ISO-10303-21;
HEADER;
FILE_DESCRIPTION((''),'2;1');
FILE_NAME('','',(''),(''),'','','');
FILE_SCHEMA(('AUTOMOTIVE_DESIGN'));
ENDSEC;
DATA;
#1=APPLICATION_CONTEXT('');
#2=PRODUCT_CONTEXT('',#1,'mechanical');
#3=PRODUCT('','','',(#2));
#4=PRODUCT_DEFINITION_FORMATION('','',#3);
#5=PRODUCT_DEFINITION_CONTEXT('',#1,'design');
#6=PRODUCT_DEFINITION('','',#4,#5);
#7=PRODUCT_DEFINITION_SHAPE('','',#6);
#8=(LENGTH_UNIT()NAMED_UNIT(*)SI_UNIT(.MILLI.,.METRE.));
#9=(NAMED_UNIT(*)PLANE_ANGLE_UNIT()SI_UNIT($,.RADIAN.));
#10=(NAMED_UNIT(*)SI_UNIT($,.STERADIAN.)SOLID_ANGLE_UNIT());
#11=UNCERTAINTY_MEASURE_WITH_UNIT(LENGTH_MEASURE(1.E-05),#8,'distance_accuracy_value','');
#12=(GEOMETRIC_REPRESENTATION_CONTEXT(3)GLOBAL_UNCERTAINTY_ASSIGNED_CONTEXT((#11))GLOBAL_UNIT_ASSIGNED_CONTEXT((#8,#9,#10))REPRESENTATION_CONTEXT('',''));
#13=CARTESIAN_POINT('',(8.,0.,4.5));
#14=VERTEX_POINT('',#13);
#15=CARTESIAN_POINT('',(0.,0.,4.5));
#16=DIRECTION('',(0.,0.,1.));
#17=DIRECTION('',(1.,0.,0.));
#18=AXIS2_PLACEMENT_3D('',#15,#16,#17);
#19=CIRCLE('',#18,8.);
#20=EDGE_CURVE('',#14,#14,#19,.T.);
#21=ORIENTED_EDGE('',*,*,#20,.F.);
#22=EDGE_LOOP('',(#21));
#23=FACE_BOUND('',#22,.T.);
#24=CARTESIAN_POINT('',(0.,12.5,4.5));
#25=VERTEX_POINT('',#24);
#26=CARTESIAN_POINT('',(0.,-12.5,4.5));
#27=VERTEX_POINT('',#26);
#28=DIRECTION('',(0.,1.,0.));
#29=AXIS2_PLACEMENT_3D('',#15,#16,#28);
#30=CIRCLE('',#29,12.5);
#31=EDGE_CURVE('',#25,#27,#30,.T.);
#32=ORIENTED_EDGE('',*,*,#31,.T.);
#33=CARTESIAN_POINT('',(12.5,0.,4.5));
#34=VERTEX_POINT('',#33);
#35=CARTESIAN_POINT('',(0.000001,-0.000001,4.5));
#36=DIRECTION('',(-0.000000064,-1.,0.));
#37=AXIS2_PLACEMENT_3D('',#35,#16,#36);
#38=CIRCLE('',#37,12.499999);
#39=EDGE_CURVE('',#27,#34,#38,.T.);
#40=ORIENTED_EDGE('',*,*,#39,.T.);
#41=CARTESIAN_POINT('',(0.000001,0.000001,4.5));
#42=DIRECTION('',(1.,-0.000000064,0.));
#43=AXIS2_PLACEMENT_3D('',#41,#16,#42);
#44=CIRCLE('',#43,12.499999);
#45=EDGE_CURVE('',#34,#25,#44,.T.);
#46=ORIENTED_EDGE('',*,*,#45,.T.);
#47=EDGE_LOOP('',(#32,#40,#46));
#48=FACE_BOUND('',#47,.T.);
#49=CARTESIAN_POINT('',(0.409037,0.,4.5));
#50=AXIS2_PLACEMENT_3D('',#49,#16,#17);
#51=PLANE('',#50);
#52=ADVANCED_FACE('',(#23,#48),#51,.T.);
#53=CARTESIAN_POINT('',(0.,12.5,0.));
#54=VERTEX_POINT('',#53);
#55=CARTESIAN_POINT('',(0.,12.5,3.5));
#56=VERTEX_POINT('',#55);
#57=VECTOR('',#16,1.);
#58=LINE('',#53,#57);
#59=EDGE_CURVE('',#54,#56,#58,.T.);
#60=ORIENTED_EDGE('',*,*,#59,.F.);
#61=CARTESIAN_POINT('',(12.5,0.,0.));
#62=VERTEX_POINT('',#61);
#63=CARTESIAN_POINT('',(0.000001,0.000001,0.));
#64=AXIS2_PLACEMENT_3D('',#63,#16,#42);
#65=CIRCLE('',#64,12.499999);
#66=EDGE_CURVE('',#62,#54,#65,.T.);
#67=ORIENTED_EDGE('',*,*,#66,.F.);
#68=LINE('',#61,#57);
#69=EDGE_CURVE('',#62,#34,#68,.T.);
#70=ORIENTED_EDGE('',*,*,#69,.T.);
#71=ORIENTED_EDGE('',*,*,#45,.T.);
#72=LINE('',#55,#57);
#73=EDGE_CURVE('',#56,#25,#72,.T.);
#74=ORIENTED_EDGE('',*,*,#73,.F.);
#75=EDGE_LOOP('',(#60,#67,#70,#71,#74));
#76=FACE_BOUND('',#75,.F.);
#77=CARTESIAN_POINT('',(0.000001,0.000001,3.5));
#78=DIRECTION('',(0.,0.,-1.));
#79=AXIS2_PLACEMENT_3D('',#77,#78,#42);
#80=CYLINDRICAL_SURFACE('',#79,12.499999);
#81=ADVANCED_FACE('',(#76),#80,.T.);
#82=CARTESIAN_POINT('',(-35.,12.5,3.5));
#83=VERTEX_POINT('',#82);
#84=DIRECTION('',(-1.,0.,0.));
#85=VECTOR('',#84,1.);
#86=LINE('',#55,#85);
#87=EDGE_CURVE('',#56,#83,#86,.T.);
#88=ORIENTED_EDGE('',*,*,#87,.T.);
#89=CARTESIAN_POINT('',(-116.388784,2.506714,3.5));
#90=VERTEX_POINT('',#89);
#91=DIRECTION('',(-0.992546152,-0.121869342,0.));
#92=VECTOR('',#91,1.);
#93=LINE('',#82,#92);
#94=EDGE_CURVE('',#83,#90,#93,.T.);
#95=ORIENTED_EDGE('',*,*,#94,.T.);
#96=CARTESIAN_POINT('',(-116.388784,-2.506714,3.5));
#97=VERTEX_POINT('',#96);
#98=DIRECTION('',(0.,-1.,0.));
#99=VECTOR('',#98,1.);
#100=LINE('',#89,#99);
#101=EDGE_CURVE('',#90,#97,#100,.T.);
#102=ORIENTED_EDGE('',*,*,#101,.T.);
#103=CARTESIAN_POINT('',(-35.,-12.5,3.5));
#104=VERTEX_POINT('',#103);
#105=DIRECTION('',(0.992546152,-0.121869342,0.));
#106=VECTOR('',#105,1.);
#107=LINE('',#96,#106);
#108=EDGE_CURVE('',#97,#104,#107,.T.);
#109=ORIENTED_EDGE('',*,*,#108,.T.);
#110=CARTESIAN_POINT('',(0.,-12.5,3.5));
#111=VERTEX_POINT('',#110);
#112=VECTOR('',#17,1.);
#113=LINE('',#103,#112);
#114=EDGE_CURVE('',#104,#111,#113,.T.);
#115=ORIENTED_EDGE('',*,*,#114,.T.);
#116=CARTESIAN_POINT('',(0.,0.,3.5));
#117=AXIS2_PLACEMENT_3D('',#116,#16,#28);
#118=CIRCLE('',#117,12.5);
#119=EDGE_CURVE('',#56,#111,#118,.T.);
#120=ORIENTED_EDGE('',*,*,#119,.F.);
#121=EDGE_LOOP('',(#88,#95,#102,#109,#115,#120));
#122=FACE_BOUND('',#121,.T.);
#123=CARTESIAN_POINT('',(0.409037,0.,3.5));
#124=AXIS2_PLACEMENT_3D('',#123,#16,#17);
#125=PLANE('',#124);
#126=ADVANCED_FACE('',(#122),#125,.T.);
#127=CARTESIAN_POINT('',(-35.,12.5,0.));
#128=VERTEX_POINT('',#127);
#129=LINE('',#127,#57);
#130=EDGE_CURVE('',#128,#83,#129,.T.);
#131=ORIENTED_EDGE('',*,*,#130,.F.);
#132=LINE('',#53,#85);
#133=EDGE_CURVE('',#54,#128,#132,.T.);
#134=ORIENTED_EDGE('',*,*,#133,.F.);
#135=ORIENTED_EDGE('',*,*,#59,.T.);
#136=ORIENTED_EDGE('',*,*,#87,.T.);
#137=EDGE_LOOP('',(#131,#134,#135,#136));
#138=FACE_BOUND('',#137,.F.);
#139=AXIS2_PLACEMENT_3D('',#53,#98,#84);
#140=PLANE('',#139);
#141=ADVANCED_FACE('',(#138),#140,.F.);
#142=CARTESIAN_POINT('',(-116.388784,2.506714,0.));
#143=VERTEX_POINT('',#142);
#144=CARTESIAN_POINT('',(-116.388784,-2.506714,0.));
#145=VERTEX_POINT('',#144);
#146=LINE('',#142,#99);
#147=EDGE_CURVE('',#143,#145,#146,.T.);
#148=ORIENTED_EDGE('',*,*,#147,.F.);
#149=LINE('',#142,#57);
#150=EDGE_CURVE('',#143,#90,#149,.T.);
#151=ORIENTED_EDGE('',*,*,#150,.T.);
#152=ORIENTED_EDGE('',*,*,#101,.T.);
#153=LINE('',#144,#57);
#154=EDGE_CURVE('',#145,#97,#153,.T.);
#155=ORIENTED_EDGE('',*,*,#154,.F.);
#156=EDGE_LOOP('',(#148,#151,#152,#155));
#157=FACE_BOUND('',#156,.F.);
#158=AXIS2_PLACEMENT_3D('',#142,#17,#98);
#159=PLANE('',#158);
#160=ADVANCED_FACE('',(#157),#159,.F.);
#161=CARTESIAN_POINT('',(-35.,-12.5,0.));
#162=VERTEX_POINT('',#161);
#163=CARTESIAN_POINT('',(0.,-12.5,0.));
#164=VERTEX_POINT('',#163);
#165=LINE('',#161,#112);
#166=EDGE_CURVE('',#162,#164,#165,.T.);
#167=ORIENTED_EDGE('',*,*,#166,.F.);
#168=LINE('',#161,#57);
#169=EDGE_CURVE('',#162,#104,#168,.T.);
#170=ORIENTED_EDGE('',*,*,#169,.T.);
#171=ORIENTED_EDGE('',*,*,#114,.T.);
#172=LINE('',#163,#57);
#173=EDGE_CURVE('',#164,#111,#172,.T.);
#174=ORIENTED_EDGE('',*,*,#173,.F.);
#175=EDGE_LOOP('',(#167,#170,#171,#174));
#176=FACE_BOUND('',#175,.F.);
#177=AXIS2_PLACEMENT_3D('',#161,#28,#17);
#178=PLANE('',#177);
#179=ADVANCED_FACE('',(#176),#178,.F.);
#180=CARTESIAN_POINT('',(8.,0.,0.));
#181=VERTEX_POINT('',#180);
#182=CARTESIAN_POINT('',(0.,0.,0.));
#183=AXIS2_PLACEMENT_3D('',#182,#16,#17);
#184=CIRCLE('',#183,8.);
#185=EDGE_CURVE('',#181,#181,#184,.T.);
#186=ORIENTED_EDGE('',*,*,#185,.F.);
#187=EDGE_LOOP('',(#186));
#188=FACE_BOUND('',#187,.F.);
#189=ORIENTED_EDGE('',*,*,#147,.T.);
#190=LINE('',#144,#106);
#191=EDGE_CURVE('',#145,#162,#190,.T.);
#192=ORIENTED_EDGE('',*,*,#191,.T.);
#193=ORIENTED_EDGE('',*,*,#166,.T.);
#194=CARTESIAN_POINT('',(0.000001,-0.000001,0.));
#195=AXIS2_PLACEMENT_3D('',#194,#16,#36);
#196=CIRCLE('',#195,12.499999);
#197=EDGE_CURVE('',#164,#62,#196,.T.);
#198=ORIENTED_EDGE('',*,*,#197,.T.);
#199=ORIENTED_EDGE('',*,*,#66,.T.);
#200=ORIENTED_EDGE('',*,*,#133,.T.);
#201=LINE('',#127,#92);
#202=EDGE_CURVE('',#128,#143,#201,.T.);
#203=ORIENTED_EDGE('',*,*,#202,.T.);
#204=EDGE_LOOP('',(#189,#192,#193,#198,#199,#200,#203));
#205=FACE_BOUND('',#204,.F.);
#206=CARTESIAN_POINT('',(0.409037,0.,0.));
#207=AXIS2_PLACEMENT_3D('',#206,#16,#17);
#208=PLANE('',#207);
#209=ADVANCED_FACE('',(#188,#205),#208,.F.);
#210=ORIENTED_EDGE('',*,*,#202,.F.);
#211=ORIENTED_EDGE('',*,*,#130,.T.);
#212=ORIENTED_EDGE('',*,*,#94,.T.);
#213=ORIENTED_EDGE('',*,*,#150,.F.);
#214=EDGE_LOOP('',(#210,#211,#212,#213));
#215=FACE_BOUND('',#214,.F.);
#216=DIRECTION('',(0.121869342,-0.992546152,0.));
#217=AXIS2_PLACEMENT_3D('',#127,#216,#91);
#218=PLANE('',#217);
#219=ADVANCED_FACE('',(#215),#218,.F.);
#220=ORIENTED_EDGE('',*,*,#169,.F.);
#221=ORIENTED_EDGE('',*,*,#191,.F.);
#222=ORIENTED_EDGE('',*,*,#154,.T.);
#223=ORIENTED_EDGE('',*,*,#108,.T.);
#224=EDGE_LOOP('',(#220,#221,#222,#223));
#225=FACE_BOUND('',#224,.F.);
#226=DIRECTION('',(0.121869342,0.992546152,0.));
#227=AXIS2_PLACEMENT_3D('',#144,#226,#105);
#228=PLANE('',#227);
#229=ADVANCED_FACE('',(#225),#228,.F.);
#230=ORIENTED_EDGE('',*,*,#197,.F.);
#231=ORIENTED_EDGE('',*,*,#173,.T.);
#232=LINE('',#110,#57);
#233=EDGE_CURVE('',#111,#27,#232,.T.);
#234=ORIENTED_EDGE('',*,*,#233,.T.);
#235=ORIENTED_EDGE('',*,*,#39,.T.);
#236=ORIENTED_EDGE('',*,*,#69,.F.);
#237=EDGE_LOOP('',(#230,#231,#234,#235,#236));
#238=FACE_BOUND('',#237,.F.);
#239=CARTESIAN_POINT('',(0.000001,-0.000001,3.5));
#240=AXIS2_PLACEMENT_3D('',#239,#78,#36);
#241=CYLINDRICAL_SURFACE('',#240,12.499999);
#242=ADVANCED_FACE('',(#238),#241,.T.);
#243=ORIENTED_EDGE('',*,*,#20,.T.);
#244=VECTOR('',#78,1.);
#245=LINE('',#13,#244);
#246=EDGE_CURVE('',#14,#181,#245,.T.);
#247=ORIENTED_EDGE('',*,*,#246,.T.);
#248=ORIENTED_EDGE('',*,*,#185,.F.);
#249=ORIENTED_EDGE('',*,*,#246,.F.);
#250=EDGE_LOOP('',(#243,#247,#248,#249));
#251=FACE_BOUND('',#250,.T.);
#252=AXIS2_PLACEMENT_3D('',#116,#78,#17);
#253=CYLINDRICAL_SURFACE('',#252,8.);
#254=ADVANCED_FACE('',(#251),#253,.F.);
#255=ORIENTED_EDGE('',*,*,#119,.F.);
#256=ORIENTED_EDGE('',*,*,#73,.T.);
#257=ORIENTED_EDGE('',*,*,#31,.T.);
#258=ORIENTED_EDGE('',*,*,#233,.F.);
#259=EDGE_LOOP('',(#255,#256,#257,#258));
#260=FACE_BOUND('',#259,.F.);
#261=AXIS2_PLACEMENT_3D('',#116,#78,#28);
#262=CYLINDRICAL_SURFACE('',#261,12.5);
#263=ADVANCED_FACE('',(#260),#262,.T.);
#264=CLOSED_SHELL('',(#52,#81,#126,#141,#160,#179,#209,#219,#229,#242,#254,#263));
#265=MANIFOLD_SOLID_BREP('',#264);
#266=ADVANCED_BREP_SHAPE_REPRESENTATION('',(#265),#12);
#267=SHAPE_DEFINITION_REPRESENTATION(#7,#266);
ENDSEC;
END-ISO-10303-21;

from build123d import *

# Parameters (mm, degrees)
F0_R     = 8
F1_DEPTH = 3.5
F2_R     = 8
F3_DEPTH = 1


with BuildPart() as f1:
    # F0 (on Top) → F1 (new body)
    with BuildSketch(Plane.XY):
        with BuildLine():
            ThreePointArc((0, -12.5), (8.838835, -8.838835), (12.5, 0))
            ThreePointArc((12.5, 0), (8.838835, 8.838835), (0, 12.5))
            ThreePointArc((0, 12.5), (-12.5, 0), (0, -12.5))
        make_face()
        Circle(F0_R, mode=Mode.SUBTRACT)
        with BuildLine():
            ThreePointArc((0, -12.5), (-12.5, 0), (0, 12.5))
            Line((0, 12.5), (-35, 12.5))
            Line((-35, 12.5), (-116.388784, 2.506714))
            Line((-116.388784, 2.506714), (-116.388784, -2.506714))
            Line((-116.388784, -2.506714), (-35, -12.5))
            Line((-35, -12.5), (0, -12.5))
        make_face()
    extrude(amount=F1_DEPTH)

    # F2 (on face) → F3 (join)
    with BuildSketch(Plane.XY.offset(3.5)):
        with BuildLine():
            ThreePointArc((0, -12.5), (8.838835, -8.838835), (12.5, 0))
            ThreePointArc((12.5, 0), (8.838835, 8.838835), (0, 12.5))
            ThreePointArc((0, 12.5), (-12.5, 0), (0, -12.5))
        make_face()
        Circle(F2_R, mode=Mode.SUBTRACT)
    extrude(amount=F3_DEPTH)


solid = f1.part
